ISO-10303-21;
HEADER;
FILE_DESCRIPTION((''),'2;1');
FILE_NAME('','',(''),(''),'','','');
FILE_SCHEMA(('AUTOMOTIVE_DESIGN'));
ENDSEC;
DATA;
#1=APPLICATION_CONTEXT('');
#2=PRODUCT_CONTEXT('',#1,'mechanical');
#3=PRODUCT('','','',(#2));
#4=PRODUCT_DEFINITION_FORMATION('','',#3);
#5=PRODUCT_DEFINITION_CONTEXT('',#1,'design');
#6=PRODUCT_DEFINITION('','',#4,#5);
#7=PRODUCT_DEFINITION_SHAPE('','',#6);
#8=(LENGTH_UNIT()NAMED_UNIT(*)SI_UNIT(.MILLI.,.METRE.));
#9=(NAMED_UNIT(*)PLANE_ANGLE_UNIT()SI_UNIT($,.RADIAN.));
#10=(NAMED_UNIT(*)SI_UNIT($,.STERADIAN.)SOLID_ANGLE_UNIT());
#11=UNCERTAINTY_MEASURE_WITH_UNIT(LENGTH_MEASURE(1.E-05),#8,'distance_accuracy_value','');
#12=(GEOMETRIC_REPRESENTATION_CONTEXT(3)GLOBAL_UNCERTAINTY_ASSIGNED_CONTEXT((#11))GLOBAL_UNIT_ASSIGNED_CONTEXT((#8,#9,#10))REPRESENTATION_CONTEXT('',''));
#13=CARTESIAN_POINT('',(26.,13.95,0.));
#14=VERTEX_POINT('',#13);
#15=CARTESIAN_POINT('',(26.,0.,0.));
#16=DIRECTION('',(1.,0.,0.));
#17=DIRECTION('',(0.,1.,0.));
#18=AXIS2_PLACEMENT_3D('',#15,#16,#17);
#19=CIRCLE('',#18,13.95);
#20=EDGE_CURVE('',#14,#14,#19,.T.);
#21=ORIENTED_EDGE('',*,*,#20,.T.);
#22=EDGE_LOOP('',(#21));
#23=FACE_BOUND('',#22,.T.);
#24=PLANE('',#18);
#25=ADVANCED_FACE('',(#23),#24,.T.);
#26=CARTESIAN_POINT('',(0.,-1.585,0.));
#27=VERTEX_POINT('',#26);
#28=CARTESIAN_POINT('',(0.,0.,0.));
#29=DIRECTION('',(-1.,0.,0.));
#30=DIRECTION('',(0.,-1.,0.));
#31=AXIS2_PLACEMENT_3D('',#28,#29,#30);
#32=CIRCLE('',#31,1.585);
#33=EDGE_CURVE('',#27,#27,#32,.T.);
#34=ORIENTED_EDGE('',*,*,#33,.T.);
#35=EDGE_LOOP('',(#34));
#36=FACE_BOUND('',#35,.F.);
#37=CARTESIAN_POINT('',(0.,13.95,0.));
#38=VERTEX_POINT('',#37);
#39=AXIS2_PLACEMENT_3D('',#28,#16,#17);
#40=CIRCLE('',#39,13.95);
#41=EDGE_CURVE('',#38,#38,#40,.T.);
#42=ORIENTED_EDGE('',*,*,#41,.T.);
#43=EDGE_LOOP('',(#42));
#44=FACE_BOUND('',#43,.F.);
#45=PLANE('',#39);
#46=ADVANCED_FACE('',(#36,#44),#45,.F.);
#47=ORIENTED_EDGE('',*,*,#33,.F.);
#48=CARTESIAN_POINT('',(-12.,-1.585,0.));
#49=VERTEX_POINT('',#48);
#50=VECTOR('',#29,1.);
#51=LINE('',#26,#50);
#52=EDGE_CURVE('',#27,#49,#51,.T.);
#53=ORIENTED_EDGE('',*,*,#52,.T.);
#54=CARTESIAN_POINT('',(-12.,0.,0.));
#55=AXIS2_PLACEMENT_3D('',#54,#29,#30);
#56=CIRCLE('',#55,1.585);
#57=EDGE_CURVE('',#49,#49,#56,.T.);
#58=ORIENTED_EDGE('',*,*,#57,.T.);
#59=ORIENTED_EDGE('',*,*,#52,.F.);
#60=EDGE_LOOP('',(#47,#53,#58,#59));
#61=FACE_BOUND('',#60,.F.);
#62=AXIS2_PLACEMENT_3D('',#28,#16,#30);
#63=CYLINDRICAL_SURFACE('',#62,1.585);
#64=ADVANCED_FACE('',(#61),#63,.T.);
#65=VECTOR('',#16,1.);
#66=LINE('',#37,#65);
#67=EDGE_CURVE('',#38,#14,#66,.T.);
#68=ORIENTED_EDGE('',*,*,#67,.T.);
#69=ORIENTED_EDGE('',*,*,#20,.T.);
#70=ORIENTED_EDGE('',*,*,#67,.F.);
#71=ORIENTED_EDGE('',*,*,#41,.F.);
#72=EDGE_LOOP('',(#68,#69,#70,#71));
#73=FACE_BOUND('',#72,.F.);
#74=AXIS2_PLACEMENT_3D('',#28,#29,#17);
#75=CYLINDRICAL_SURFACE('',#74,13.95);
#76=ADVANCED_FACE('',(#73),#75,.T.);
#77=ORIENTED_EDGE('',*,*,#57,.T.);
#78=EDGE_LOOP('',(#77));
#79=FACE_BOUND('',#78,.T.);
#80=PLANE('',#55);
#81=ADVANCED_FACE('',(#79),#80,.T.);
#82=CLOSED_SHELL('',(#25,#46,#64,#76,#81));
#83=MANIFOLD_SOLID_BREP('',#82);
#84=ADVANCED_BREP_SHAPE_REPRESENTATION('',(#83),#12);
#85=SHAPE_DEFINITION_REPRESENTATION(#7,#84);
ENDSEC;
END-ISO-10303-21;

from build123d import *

# Parameters (mm, degrees)
F0_R     = 13.95
F1_DEPTH = 26
F2_R     = 1.585
F3_DEPTH = 12


with BuildPart() as f1:
    # F0 (on Right) → F1 (new body)
    with BuildSketch(Plane.YZ):
        Circle(F0_R)
    extrude(amount=F1_DEPTH)

    # F2 (on face) → F3 (join)
    with BuildSketch(Plane(origin=(0, 0, 0), x_dir=(0, -1, 0), z_dir=(-1, 0, 0))):
        Circle(F2_R)
    extrude(amount=F3_DEPTH)


solid = f1.part
